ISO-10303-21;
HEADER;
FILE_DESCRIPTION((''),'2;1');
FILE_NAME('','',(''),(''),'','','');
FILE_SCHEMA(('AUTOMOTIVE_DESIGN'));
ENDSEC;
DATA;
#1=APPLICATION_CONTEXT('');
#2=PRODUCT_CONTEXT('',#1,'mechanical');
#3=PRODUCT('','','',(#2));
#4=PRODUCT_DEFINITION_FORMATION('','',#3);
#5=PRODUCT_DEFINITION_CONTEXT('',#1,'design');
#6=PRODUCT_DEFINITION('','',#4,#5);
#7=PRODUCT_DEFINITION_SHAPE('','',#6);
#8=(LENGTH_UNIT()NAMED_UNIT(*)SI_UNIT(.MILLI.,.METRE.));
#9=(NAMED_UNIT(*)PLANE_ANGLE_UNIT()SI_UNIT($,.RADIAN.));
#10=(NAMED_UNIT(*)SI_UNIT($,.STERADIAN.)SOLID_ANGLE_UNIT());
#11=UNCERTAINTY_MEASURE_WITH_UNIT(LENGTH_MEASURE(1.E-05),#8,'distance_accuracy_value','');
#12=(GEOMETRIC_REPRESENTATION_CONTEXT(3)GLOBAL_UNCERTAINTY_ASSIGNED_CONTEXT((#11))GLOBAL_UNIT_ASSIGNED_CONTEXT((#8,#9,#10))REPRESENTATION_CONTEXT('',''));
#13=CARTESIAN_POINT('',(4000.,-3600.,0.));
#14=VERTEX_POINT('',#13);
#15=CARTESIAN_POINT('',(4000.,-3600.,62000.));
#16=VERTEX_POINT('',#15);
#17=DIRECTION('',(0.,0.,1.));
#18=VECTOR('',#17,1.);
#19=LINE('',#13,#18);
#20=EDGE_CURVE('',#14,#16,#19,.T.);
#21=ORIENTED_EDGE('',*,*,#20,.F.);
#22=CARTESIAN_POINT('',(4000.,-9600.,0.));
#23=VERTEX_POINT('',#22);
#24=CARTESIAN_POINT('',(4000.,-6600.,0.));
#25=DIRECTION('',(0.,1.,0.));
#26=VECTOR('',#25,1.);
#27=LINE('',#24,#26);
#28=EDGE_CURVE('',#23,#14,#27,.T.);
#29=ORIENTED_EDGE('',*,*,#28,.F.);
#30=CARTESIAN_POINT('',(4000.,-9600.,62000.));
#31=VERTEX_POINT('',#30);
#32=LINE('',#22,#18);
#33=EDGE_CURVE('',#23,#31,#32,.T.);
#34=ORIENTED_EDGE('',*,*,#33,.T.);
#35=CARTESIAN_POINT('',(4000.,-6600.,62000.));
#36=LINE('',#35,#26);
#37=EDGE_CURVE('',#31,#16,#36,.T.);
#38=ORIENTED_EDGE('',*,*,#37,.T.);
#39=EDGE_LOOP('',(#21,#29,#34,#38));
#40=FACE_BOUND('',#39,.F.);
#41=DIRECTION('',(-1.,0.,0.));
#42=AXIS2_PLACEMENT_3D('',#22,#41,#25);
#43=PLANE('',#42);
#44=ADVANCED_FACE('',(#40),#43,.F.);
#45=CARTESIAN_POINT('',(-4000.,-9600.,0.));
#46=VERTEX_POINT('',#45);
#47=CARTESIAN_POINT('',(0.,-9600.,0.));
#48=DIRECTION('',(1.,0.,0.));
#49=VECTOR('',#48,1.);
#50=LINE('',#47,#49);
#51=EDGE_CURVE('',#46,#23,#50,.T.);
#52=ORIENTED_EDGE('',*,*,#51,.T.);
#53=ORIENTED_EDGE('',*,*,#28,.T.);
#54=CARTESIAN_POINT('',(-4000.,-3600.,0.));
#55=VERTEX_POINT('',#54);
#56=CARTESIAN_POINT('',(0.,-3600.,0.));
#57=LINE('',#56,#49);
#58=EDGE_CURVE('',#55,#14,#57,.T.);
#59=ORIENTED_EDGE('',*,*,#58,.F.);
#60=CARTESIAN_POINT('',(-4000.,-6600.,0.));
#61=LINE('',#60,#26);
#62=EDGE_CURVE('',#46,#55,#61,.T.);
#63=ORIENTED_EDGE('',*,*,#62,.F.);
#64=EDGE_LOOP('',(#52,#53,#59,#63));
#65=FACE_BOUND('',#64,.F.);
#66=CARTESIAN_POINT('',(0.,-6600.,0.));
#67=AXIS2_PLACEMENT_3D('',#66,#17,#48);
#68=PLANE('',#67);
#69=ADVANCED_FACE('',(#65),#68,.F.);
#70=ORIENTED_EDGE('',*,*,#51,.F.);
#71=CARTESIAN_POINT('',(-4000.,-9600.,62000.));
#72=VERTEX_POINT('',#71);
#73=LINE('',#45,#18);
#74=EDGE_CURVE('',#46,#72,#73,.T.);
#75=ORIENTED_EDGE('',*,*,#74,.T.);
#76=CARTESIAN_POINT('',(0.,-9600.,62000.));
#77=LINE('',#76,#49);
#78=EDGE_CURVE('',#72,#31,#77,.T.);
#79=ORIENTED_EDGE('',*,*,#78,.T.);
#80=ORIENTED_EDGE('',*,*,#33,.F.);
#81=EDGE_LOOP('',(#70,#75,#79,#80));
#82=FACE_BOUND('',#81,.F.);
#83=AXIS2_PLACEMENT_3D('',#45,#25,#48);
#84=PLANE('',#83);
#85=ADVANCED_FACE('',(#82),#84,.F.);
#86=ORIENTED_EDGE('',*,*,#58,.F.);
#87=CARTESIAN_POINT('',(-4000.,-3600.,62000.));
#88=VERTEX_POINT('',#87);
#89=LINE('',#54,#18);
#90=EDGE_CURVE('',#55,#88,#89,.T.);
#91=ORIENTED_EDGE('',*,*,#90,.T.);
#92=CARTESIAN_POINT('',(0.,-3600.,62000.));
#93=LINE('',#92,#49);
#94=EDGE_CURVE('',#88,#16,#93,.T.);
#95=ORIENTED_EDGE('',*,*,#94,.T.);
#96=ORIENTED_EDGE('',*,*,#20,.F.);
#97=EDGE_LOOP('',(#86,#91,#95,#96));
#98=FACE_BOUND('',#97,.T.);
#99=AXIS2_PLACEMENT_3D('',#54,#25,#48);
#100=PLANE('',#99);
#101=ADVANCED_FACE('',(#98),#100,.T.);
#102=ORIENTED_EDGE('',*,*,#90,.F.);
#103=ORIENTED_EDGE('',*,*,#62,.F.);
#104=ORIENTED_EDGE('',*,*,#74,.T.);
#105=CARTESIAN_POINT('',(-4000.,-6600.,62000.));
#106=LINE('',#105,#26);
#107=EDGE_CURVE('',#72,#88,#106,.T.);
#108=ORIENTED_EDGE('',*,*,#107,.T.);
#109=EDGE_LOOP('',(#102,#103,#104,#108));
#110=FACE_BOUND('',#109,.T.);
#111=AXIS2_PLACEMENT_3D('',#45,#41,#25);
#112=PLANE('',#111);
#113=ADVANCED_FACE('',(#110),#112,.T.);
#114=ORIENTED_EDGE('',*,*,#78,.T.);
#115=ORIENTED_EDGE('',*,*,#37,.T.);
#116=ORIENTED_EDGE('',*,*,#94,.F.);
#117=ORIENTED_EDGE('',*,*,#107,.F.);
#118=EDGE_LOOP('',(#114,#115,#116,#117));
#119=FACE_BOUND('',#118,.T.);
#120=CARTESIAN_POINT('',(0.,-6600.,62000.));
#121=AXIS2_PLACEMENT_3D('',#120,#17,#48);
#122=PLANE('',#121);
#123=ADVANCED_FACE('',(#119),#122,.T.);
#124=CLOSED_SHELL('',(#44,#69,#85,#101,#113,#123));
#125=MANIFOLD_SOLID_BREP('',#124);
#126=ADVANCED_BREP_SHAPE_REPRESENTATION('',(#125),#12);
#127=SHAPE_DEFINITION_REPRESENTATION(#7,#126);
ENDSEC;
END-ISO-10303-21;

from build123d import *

# Parameters (mm, degrees)
TOWER_W     = 8000
TOWER_H     = 6000
TOWER_DEPTH = 62000


with BuildPart() as part:
    # Tower → Tower (new body)
    with BuildSketch(Plane(origin=(-4000, -9600, 0), x_dir=(1, 0, 0), z_dir=(0, 0, 1))):
        with Locations((4000, 3000)):
            Rectangle(TOWER_W, TOWER_H)
    extrude(amount=TOWER_DEPTH)


solid = part.part
